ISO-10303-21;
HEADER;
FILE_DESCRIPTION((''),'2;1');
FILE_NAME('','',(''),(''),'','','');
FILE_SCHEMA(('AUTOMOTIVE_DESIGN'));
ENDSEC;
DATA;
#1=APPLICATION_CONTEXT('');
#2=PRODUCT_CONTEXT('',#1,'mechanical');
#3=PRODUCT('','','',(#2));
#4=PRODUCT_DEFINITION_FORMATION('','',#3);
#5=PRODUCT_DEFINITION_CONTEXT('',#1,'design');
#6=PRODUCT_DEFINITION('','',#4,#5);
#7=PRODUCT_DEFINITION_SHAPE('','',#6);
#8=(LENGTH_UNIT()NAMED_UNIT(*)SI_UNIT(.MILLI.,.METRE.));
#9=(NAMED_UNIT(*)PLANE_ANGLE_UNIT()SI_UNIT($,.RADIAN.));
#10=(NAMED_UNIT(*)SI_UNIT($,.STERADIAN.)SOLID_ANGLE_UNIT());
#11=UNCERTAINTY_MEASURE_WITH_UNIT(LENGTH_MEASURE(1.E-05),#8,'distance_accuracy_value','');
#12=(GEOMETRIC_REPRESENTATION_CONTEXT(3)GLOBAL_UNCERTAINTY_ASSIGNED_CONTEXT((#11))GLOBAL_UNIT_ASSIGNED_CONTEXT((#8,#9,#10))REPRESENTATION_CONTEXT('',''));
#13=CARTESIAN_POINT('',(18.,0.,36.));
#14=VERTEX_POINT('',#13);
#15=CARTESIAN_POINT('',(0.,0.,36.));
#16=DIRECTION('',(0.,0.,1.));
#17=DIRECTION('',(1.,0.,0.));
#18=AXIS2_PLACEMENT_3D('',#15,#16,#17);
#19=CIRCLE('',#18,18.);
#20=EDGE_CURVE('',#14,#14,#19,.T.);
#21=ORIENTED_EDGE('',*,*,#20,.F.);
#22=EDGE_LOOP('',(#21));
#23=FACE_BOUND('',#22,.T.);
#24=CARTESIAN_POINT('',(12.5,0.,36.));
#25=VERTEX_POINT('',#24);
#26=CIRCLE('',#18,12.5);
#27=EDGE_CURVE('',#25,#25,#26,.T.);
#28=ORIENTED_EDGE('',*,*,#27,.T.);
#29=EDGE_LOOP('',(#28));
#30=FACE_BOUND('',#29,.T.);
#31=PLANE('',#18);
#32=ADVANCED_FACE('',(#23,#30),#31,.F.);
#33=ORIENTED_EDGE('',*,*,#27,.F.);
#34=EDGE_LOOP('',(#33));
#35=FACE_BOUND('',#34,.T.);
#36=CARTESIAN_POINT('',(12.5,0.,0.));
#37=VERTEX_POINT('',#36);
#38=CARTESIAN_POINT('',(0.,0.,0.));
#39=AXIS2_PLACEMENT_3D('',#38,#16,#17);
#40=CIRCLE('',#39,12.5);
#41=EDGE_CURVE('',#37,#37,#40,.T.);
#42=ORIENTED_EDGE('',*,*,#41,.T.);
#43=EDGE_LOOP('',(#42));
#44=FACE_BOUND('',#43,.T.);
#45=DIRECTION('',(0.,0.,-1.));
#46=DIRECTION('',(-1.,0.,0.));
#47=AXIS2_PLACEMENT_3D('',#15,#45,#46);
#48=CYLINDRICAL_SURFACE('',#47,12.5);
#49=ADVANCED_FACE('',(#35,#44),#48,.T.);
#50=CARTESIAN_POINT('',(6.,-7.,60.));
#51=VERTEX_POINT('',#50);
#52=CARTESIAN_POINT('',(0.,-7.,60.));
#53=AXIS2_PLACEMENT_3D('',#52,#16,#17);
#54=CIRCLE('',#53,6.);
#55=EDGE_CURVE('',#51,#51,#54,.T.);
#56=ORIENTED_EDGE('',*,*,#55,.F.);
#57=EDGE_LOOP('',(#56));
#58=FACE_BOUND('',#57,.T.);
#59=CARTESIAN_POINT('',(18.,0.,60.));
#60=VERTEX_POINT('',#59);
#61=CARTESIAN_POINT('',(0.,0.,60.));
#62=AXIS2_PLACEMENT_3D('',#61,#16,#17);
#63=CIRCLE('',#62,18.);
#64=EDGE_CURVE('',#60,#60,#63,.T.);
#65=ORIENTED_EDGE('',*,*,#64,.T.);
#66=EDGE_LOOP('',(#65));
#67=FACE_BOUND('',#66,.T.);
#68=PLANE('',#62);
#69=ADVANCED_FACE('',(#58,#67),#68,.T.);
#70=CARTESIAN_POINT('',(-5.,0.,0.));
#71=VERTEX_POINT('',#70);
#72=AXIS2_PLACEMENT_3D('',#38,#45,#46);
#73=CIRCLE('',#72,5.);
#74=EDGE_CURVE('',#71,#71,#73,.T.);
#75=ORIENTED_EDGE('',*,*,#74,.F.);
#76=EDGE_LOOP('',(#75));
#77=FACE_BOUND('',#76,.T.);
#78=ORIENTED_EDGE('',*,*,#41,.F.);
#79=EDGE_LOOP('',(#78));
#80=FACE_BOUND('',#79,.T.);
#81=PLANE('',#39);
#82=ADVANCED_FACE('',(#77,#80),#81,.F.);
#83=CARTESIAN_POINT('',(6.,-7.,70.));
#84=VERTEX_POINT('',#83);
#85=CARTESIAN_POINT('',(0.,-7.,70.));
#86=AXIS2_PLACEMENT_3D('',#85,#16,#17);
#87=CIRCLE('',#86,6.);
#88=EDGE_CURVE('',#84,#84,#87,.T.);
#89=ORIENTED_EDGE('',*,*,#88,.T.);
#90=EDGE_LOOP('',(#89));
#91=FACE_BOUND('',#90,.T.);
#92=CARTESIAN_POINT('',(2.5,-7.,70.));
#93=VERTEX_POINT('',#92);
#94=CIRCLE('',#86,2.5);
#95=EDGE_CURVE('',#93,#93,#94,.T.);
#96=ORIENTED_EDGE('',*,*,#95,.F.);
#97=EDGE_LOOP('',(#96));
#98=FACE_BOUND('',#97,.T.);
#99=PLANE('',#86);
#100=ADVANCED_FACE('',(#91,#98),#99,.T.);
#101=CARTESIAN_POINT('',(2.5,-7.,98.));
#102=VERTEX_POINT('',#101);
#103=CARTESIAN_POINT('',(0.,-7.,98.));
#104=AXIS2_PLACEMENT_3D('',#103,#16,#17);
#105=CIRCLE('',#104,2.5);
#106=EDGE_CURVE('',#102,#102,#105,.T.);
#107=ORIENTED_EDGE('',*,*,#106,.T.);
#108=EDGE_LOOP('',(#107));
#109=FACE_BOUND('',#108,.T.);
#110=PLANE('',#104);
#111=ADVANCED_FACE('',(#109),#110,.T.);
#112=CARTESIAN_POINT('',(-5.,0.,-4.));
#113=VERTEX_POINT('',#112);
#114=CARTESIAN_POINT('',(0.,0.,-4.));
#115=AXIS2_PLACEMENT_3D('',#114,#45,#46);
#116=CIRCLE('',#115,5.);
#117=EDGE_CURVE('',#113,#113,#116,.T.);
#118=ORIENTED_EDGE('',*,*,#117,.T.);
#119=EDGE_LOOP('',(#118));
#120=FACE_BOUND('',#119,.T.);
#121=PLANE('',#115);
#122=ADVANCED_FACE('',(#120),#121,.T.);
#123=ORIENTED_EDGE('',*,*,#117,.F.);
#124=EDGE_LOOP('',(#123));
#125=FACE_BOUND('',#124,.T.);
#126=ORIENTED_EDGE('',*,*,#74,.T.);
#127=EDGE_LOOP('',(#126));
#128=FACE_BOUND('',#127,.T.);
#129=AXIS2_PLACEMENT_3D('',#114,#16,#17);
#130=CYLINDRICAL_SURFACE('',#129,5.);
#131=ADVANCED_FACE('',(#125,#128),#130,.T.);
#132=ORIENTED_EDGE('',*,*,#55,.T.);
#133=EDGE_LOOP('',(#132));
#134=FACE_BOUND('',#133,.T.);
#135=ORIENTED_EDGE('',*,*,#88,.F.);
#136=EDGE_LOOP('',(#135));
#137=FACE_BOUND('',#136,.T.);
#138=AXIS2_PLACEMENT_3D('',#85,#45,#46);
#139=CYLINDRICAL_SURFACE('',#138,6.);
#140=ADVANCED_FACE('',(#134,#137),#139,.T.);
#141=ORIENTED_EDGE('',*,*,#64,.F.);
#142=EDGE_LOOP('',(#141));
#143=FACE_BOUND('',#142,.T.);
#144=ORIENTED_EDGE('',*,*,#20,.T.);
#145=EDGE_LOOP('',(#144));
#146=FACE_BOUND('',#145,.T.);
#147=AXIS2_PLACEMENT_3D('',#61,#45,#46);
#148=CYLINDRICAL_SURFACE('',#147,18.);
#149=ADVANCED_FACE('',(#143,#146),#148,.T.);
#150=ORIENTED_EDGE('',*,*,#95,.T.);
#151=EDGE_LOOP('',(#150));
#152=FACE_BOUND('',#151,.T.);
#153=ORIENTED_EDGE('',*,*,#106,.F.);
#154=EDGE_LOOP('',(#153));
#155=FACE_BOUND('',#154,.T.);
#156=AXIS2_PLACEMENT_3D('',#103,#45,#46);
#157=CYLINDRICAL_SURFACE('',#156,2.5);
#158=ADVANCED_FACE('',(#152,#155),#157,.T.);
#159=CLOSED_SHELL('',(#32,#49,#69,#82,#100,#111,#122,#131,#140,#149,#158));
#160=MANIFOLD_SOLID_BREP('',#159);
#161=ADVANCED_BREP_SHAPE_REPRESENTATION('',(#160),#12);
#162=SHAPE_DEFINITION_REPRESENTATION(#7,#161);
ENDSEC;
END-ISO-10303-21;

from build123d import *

# Parameters (mm, degrees)
SKETCH1_R           = 12.5
BOSS_EXTRUDE1_DEPTH = 36
SKETCH2_R           = 5
BOSS_EXTRUDE2_DEPTH = 4
SKETCH3_R           = 18
BOSS_EXTRUDE3_DEPTH = 24
SKETCH5_R           = 6
BOSS_EXTRUDE4_DEPTH = 10
SKETCH7_R           = 2.5
BOSS_EXTRUDE5_DEPTH = 28


with BuildPart() as part:
    # Sketch1 → Boss-Extrude1 (new body)
    with BuildSketch(Plane.XY):
        Circle(SKETCH1_R)
    extrude(amount=BOSS_EXTRUDE1_DEPTH)

    # Sketch2 → Boss-Extrude2 (add)
    with BuildSketch(Plane(origin=(0, 0, 0), x_dir=(-1, 0, 0), z_dir=(0, 0, -1))):
        Circle(SKETCH2_R)
    extrude(amount=BOSS_EXTRUDE2_DEPTH)

    # Sketch3 → Boss-Extrude3 (add)
    with BuildSketch(Plane.XY.offset(36)):
        Circle(SKETCH3_R)
    extrude(amount=BOSS_EXTRUDE3_DEPTH)

    # Sketch5 → Boss-Extrude4 (add)
    with BuildSketch(Plane.XY.offset(60)):
        with Locations((0, -7)):
            Circle(SKETCH5_R)
    extrude(amount=BOSS_EXTRUDE4_DEPTH)

    # Sketch7 → Boss-Extrude5 (add)
    with BuildSketch(Plane.XY.offset(70)):
        with Locations((0, -7)):
            Circle(SKETCH7_R)
    extrude(amount=BOSS_EXTRUDE5_DEPTH)


solid = part.part
